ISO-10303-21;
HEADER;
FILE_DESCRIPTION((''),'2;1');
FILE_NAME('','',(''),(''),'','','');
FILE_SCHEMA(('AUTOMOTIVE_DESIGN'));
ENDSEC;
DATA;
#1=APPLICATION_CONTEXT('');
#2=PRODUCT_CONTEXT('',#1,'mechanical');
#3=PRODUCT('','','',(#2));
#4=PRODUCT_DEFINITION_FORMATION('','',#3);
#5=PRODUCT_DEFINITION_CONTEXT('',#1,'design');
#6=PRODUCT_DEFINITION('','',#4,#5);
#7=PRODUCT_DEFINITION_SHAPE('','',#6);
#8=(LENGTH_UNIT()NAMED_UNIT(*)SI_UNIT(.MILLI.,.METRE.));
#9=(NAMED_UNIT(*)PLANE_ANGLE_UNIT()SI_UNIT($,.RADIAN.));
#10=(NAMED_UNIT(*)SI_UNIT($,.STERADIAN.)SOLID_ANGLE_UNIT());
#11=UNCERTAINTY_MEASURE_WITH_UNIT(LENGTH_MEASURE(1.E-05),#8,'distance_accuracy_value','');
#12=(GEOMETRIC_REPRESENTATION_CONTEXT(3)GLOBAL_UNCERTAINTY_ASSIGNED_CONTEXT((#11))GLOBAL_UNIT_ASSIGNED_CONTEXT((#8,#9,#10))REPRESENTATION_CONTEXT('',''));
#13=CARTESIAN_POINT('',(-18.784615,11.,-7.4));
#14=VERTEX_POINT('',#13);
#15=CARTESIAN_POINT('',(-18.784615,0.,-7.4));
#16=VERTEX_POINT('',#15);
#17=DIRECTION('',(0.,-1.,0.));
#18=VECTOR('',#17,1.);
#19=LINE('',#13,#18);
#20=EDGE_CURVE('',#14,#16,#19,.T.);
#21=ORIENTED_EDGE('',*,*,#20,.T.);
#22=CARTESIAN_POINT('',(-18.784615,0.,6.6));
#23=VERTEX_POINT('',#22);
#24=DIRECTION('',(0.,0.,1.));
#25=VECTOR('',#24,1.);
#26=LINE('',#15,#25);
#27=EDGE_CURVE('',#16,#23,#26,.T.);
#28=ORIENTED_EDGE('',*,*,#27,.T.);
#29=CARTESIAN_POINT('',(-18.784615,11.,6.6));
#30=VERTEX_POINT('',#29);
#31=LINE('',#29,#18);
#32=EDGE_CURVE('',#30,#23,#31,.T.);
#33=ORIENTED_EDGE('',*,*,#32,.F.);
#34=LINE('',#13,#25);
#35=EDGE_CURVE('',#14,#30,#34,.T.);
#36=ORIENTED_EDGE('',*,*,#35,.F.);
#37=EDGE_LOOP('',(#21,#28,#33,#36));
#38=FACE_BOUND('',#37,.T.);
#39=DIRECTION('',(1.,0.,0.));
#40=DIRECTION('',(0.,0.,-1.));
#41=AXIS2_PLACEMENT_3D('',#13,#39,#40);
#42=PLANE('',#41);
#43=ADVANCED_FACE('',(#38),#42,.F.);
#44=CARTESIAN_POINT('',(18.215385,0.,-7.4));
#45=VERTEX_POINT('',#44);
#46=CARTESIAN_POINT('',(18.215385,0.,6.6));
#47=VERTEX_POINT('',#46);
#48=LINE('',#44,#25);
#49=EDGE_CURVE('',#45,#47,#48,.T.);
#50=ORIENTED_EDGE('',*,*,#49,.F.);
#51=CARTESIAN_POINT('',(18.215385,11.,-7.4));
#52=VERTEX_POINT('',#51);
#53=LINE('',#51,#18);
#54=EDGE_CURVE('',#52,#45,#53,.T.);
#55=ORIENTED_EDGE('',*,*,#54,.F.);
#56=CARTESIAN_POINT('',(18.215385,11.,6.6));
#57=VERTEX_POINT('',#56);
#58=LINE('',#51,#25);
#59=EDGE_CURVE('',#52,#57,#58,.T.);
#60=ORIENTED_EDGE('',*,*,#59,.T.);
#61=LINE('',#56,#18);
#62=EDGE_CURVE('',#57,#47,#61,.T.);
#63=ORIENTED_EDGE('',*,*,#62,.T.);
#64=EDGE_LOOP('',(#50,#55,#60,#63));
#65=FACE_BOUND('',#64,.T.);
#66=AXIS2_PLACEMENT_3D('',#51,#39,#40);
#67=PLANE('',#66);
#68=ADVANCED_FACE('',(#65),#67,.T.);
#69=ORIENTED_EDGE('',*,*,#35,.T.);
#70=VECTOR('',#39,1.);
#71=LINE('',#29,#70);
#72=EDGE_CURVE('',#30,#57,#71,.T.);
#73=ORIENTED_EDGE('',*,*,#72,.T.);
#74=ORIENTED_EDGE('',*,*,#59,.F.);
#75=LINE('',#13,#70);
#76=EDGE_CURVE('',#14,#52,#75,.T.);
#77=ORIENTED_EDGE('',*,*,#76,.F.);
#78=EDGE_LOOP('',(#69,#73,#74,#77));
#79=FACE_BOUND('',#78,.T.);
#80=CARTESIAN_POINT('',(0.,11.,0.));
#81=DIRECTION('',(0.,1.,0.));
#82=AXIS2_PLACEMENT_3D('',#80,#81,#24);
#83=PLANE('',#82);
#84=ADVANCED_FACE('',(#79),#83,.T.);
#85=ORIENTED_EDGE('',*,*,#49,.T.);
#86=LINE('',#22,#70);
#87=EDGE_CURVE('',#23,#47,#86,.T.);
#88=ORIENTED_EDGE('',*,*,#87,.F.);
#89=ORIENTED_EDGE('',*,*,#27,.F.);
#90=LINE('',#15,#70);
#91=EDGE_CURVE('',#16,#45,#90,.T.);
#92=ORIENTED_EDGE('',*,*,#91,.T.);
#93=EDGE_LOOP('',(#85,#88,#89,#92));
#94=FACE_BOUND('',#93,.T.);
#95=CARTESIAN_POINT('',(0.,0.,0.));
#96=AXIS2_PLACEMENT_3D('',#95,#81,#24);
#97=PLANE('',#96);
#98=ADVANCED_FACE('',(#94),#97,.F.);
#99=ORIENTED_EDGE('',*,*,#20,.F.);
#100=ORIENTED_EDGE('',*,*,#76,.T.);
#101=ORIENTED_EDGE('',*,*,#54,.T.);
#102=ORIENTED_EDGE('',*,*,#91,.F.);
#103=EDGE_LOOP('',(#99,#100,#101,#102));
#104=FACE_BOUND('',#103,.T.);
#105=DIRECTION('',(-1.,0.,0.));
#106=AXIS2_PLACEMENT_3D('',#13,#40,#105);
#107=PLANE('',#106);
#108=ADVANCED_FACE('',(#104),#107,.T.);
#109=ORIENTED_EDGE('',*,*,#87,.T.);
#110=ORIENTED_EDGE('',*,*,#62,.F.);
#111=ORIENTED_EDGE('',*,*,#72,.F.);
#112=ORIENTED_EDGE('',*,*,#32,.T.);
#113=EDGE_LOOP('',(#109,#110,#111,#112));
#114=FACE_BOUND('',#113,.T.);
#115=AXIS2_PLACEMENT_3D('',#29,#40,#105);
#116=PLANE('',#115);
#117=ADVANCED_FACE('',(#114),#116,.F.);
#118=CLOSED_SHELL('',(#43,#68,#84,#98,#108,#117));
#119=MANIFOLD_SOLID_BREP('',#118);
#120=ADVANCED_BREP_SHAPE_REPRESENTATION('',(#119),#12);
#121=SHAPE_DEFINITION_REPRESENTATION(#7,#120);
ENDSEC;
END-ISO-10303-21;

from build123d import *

# Parameters (mm, degrees)
SKETCH_1_W      = 37
SKETCH_1_H      = 14
EXTRUDE_1_DEPTH = 11


with BuildPart() as part:
    # 草图1 → 凸台-拉伸1 (new body)
    with BuildSketch(Plane(origin=(0, 0, 0), x_dir=(1, 0, 0), z_dir=(0, 1, 0))):
        with Locations((-0.284615385, 0.4)):
            Rectangle(SKETCH_1_W, SKETCH_1_H)
    extrude(amount=EXTRUDE_1_DEPTH)


solid = part.part
